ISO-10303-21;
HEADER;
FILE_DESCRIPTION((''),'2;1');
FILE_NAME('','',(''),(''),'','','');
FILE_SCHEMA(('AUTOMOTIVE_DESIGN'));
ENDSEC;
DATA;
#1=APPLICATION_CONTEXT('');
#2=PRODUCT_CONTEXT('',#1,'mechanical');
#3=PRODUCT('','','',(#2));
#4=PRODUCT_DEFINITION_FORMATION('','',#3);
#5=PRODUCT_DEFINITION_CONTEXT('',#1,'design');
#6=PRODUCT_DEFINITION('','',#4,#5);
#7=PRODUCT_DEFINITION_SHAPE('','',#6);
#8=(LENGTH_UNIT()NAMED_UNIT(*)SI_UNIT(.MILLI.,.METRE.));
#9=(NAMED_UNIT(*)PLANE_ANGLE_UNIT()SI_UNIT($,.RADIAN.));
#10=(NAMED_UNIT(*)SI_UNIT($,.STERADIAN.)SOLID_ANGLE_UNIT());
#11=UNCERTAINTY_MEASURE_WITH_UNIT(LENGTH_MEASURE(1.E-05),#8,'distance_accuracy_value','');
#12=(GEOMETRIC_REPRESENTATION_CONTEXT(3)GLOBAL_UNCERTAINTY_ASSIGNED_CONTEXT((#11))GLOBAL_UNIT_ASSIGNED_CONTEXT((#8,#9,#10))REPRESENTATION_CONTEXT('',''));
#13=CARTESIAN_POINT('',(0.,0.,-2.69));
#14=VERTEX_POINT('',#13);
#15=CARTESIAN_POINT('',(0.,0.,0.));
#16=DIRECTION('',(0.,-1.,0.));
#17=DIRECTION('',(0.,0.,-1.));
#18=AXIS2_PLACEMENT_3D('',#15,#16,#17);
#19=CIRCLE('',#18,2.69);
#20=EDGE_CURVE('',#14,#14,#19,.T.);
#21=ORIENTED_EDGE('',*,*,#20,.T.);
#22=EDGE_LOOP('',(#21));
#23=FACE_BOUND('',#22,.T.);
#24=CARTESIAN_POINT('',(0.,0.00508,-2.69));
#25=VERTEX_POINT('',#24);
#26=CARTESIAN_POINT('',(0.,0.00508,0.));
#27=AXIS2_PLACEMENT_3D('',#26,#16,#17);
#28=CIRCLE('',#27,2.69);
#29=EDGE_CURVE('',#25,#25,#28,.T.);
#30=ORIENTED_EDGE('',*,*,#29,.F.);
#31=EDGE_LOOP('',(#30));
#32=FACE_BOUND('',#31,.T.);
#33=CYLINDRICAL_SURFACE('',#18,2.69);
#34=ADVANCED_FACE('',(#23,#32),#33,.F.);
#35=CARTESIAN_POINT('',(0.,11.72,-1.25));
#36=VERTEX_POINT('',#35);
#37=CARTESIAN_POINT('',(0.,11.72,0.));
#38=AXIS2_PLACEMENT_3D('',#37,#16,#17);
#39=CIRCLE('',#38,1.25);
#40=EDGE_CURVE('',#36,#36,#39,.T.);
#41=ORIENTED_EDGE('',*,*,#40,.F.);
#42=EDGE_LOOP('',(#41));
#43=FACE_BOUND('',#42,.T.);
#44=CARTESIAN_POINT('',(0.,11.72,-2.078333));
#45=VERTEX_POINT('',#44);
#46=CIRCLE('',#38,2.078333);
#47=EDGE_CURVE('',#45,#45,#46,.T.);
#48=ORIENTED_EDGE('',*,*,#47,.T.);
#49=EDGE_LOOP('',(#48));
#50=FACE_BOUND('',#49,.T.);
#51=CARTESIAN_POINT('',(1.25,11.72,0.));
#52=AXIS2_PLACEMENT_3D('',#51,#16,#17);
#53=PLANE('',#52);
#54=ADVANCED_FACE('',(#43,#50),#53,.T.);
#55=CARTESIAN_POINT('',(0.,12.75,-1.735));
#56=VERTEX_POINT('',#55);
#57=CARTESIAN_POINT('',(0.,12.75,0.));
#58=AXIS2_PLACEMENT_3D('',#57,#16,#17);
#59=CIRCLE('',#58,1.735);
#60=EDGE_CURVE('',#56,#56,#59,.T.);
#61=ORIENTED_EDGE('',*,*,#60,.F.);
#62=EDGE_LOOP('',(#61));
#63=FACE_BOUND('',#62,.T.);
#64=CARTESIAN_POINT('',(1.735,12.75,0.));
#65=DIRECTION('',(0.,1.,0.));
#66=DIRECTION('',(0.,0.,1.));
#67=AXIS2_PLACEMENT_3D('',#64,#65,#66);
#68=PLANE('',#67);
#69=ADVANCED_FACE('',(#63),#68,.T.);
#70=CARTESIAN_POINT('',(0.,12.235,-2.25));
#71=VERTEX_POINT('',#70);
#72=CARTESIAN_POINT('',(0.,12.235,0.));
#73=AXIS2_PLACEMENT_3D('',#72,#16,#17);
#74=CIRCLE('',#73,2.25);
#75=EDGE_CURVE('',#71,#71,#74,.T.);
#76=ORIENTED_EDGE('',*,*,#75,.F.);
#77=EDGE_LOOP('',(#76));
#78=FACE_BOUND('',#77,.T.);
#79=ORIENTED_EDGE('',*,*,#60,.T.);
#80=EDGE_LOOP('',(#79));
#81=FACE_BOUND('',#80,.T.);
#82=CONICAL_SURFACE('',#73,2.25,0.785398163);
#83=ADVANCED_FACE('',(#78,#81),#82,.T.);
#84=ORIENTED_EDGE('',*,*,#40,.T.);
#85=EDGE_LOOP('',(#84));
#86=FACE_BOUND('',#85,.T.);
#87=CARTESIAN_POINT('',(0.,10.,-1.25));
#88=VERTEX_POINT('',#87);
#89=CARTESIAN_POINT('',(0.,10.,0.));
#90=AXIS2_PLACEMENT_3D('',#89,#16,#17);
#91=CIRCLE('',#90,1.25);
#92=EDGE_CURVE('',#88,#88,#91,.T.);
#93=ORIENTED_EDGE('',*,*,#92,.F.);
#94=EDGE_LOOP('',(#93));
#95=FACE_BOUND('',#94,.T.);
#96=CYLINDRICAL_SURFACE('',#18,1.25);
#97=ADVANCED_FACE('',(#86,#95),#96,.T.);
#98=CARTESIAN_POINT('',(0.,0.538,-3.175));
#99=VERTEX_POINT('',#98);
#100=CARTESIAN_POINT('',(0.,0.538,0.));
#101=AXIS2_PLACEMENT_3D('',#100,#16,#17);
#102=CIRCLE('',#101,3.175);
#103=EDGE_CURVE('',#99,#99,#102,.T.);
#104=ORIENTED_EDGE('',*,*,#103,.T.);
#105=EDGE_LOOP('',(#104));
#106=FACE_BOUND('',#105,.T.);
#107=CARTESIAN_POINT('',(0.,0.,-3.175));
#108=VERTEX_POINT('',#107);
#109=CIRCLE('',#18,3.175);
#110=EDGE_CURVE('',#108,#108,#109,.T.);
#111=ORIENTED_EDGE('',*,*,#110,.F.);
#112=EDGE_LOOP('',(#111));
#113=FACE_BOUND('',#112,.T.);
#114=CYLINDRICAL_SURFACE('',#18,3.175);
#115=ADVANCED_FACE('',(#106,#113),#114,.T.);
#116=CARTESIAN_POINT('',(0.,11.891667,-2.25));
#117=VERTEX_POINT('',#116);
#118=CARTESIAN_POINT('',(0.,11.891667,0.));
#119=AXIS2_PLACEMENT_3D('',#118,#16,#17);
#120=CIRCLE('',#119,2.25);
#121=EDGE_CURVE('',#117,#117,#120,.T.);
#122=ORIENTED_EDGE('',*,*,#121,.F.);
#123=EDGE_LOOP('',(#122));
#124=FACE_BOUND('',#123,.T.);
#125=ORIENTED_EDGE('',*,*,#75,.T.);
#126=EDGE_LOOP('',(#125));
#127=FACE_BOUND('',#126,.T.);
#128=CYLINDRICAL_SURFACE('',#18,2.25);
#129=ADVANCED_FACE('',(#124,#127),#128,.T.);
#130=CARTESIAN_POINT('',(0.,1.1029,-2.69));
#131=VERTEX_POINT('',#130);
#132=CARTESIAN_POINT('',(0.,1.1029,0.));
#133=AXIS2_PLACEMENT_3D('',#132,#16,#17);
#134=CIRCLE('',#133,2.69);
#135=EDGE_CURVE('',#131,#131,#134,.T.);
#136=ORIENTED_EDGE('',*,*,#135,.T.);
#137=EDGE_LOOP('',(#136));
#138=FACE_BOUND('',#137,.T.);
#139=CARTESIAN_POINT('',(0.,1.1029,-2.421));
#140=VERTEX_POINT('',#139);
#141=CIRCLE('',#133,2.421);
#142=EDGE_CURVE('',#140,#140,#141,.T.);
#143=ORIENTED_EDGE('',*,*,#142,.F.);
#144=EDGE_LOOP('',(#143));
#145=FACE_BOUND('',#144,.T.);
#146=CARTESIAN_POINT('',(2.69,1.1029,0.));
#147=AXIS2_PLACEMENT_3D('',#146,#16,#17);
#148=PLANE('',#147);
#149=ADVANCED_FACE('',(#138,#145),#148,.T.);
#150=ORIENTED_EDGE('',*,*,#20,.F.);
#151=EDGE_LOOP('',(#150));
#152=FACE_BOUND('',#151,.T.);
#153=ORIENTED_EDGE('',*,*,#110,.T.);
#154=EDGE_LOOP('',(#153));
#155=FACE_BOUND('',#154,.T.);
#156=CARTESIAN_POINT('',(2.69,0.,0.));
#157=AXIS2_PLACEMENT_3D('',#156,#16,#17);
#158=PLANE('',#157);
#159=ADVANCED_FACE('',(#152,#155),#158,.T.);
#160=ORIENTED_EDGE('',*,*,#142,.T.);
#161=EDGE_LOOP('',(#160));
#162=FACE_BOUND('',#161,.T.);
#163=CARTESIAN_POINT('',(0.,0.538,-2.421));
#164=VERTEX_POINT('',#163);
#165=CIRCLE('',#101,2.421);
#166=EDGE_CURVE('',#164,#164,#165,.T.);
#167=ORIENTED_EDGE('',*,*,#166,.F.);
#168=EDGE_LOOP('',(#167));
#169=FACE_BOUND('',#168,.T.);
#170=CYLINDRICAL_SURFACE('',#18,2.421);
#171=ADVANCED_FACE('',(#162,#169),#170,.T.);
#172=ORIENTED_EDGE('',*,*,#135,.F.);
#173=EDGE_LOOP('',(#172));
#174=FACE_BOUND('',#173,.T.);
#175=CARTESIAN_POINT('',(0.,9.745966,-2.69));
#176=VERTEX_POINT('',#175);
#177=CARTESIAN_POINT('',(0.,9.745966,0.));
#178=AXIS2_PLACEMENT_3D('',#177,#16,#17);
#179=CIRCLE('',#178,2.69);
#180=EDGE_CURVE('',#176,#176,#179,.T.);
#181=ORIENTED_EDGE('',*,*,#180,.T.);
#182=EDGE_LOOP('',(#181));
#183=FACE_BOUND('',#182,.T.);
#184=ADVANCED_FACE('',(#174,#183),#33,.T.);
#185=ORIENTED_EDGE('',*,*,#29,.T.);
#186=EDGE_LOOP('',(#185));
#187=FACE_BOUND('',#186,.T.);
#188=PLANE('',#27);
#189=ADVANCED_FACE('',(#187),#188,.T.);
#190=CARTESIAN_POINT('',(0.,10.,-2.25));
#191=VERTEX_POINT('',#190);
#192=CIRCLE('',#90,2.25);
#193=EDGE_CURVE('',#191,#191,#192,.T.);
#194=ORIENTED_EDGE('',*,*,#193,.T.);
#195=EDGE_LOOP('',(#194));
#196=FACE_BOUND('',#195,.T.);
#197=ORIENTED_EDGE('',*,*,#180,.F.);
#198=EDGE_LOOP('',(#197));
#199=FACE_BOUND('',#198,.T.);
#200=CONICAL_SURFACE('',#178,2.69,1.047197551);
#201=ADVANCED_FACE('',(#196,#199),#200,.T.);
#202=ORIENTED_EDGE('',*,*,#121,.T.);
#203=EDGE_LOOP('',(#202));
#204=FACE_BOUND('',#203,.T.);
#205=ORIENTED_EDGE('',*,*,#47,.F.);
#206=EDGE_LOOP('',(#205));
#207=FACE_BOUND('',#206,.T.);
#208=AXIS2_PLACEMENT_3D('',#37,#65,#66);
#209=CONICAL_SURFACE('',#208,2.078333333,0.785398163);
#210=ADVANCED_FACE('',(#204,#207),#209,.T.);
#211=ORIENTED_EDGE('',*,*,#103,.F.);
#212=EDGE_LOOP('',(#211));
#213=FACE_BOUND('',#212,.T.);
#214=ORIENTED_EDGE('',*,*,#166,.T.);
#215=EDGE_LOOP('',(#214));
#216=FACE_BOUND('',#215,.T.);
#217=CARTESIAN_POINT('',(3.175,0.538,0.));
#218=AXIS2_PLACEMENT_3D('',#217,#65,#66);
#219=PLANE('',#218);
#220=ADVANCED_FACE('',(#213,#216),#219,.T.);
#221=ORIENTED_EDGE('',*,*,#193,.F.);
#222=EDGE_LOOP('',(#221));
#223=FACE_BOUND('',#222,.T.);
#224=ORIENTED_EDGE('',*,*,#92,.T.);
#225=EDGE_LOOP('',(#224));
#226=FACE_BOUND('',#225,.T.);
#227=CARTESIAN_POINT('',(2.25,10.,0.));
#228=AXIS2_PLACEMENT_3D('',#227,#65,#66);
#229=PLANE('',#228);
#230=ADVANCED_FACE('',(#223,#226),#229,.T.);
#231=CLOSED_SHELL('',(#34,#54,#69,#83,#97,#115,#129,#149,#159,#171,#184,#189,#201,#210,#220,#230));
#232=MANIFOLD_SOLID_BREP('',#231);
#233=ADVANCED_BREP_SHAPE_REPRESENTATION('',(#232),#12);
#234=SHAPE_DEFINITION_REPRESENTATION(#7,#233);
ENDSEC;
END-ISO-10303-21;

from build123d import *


with BuildPart() as part:
    # BodySke → Body (revolve)
    with BuildSketch(Plane.XY, mode=Mode.PRIVATE) as body_sk:
        Polygon((2.69, 0), (3.175, 0), (3.175, 0.538), (2.421, 0.538), (2.421, 1.1029), (2.69, 1.1029), (2.69, 9.745965882), (2.25, 10), (1.25, 10), (1.25, 11.72), (2.078333333, 11.72), (2.25, 11.891666667), (2.25, 12.235), (1.735, 12.75), (0, 12.75), (0, 0.00508), (2.69, 0.00508), align=None)
    revolve(body_sk.sketch.rotate(Axis((0, 0, 0), (0, 1, 0)), 90), axis=Axis((0, 0, 0), (0, 1, 0)))


solid = part.part
